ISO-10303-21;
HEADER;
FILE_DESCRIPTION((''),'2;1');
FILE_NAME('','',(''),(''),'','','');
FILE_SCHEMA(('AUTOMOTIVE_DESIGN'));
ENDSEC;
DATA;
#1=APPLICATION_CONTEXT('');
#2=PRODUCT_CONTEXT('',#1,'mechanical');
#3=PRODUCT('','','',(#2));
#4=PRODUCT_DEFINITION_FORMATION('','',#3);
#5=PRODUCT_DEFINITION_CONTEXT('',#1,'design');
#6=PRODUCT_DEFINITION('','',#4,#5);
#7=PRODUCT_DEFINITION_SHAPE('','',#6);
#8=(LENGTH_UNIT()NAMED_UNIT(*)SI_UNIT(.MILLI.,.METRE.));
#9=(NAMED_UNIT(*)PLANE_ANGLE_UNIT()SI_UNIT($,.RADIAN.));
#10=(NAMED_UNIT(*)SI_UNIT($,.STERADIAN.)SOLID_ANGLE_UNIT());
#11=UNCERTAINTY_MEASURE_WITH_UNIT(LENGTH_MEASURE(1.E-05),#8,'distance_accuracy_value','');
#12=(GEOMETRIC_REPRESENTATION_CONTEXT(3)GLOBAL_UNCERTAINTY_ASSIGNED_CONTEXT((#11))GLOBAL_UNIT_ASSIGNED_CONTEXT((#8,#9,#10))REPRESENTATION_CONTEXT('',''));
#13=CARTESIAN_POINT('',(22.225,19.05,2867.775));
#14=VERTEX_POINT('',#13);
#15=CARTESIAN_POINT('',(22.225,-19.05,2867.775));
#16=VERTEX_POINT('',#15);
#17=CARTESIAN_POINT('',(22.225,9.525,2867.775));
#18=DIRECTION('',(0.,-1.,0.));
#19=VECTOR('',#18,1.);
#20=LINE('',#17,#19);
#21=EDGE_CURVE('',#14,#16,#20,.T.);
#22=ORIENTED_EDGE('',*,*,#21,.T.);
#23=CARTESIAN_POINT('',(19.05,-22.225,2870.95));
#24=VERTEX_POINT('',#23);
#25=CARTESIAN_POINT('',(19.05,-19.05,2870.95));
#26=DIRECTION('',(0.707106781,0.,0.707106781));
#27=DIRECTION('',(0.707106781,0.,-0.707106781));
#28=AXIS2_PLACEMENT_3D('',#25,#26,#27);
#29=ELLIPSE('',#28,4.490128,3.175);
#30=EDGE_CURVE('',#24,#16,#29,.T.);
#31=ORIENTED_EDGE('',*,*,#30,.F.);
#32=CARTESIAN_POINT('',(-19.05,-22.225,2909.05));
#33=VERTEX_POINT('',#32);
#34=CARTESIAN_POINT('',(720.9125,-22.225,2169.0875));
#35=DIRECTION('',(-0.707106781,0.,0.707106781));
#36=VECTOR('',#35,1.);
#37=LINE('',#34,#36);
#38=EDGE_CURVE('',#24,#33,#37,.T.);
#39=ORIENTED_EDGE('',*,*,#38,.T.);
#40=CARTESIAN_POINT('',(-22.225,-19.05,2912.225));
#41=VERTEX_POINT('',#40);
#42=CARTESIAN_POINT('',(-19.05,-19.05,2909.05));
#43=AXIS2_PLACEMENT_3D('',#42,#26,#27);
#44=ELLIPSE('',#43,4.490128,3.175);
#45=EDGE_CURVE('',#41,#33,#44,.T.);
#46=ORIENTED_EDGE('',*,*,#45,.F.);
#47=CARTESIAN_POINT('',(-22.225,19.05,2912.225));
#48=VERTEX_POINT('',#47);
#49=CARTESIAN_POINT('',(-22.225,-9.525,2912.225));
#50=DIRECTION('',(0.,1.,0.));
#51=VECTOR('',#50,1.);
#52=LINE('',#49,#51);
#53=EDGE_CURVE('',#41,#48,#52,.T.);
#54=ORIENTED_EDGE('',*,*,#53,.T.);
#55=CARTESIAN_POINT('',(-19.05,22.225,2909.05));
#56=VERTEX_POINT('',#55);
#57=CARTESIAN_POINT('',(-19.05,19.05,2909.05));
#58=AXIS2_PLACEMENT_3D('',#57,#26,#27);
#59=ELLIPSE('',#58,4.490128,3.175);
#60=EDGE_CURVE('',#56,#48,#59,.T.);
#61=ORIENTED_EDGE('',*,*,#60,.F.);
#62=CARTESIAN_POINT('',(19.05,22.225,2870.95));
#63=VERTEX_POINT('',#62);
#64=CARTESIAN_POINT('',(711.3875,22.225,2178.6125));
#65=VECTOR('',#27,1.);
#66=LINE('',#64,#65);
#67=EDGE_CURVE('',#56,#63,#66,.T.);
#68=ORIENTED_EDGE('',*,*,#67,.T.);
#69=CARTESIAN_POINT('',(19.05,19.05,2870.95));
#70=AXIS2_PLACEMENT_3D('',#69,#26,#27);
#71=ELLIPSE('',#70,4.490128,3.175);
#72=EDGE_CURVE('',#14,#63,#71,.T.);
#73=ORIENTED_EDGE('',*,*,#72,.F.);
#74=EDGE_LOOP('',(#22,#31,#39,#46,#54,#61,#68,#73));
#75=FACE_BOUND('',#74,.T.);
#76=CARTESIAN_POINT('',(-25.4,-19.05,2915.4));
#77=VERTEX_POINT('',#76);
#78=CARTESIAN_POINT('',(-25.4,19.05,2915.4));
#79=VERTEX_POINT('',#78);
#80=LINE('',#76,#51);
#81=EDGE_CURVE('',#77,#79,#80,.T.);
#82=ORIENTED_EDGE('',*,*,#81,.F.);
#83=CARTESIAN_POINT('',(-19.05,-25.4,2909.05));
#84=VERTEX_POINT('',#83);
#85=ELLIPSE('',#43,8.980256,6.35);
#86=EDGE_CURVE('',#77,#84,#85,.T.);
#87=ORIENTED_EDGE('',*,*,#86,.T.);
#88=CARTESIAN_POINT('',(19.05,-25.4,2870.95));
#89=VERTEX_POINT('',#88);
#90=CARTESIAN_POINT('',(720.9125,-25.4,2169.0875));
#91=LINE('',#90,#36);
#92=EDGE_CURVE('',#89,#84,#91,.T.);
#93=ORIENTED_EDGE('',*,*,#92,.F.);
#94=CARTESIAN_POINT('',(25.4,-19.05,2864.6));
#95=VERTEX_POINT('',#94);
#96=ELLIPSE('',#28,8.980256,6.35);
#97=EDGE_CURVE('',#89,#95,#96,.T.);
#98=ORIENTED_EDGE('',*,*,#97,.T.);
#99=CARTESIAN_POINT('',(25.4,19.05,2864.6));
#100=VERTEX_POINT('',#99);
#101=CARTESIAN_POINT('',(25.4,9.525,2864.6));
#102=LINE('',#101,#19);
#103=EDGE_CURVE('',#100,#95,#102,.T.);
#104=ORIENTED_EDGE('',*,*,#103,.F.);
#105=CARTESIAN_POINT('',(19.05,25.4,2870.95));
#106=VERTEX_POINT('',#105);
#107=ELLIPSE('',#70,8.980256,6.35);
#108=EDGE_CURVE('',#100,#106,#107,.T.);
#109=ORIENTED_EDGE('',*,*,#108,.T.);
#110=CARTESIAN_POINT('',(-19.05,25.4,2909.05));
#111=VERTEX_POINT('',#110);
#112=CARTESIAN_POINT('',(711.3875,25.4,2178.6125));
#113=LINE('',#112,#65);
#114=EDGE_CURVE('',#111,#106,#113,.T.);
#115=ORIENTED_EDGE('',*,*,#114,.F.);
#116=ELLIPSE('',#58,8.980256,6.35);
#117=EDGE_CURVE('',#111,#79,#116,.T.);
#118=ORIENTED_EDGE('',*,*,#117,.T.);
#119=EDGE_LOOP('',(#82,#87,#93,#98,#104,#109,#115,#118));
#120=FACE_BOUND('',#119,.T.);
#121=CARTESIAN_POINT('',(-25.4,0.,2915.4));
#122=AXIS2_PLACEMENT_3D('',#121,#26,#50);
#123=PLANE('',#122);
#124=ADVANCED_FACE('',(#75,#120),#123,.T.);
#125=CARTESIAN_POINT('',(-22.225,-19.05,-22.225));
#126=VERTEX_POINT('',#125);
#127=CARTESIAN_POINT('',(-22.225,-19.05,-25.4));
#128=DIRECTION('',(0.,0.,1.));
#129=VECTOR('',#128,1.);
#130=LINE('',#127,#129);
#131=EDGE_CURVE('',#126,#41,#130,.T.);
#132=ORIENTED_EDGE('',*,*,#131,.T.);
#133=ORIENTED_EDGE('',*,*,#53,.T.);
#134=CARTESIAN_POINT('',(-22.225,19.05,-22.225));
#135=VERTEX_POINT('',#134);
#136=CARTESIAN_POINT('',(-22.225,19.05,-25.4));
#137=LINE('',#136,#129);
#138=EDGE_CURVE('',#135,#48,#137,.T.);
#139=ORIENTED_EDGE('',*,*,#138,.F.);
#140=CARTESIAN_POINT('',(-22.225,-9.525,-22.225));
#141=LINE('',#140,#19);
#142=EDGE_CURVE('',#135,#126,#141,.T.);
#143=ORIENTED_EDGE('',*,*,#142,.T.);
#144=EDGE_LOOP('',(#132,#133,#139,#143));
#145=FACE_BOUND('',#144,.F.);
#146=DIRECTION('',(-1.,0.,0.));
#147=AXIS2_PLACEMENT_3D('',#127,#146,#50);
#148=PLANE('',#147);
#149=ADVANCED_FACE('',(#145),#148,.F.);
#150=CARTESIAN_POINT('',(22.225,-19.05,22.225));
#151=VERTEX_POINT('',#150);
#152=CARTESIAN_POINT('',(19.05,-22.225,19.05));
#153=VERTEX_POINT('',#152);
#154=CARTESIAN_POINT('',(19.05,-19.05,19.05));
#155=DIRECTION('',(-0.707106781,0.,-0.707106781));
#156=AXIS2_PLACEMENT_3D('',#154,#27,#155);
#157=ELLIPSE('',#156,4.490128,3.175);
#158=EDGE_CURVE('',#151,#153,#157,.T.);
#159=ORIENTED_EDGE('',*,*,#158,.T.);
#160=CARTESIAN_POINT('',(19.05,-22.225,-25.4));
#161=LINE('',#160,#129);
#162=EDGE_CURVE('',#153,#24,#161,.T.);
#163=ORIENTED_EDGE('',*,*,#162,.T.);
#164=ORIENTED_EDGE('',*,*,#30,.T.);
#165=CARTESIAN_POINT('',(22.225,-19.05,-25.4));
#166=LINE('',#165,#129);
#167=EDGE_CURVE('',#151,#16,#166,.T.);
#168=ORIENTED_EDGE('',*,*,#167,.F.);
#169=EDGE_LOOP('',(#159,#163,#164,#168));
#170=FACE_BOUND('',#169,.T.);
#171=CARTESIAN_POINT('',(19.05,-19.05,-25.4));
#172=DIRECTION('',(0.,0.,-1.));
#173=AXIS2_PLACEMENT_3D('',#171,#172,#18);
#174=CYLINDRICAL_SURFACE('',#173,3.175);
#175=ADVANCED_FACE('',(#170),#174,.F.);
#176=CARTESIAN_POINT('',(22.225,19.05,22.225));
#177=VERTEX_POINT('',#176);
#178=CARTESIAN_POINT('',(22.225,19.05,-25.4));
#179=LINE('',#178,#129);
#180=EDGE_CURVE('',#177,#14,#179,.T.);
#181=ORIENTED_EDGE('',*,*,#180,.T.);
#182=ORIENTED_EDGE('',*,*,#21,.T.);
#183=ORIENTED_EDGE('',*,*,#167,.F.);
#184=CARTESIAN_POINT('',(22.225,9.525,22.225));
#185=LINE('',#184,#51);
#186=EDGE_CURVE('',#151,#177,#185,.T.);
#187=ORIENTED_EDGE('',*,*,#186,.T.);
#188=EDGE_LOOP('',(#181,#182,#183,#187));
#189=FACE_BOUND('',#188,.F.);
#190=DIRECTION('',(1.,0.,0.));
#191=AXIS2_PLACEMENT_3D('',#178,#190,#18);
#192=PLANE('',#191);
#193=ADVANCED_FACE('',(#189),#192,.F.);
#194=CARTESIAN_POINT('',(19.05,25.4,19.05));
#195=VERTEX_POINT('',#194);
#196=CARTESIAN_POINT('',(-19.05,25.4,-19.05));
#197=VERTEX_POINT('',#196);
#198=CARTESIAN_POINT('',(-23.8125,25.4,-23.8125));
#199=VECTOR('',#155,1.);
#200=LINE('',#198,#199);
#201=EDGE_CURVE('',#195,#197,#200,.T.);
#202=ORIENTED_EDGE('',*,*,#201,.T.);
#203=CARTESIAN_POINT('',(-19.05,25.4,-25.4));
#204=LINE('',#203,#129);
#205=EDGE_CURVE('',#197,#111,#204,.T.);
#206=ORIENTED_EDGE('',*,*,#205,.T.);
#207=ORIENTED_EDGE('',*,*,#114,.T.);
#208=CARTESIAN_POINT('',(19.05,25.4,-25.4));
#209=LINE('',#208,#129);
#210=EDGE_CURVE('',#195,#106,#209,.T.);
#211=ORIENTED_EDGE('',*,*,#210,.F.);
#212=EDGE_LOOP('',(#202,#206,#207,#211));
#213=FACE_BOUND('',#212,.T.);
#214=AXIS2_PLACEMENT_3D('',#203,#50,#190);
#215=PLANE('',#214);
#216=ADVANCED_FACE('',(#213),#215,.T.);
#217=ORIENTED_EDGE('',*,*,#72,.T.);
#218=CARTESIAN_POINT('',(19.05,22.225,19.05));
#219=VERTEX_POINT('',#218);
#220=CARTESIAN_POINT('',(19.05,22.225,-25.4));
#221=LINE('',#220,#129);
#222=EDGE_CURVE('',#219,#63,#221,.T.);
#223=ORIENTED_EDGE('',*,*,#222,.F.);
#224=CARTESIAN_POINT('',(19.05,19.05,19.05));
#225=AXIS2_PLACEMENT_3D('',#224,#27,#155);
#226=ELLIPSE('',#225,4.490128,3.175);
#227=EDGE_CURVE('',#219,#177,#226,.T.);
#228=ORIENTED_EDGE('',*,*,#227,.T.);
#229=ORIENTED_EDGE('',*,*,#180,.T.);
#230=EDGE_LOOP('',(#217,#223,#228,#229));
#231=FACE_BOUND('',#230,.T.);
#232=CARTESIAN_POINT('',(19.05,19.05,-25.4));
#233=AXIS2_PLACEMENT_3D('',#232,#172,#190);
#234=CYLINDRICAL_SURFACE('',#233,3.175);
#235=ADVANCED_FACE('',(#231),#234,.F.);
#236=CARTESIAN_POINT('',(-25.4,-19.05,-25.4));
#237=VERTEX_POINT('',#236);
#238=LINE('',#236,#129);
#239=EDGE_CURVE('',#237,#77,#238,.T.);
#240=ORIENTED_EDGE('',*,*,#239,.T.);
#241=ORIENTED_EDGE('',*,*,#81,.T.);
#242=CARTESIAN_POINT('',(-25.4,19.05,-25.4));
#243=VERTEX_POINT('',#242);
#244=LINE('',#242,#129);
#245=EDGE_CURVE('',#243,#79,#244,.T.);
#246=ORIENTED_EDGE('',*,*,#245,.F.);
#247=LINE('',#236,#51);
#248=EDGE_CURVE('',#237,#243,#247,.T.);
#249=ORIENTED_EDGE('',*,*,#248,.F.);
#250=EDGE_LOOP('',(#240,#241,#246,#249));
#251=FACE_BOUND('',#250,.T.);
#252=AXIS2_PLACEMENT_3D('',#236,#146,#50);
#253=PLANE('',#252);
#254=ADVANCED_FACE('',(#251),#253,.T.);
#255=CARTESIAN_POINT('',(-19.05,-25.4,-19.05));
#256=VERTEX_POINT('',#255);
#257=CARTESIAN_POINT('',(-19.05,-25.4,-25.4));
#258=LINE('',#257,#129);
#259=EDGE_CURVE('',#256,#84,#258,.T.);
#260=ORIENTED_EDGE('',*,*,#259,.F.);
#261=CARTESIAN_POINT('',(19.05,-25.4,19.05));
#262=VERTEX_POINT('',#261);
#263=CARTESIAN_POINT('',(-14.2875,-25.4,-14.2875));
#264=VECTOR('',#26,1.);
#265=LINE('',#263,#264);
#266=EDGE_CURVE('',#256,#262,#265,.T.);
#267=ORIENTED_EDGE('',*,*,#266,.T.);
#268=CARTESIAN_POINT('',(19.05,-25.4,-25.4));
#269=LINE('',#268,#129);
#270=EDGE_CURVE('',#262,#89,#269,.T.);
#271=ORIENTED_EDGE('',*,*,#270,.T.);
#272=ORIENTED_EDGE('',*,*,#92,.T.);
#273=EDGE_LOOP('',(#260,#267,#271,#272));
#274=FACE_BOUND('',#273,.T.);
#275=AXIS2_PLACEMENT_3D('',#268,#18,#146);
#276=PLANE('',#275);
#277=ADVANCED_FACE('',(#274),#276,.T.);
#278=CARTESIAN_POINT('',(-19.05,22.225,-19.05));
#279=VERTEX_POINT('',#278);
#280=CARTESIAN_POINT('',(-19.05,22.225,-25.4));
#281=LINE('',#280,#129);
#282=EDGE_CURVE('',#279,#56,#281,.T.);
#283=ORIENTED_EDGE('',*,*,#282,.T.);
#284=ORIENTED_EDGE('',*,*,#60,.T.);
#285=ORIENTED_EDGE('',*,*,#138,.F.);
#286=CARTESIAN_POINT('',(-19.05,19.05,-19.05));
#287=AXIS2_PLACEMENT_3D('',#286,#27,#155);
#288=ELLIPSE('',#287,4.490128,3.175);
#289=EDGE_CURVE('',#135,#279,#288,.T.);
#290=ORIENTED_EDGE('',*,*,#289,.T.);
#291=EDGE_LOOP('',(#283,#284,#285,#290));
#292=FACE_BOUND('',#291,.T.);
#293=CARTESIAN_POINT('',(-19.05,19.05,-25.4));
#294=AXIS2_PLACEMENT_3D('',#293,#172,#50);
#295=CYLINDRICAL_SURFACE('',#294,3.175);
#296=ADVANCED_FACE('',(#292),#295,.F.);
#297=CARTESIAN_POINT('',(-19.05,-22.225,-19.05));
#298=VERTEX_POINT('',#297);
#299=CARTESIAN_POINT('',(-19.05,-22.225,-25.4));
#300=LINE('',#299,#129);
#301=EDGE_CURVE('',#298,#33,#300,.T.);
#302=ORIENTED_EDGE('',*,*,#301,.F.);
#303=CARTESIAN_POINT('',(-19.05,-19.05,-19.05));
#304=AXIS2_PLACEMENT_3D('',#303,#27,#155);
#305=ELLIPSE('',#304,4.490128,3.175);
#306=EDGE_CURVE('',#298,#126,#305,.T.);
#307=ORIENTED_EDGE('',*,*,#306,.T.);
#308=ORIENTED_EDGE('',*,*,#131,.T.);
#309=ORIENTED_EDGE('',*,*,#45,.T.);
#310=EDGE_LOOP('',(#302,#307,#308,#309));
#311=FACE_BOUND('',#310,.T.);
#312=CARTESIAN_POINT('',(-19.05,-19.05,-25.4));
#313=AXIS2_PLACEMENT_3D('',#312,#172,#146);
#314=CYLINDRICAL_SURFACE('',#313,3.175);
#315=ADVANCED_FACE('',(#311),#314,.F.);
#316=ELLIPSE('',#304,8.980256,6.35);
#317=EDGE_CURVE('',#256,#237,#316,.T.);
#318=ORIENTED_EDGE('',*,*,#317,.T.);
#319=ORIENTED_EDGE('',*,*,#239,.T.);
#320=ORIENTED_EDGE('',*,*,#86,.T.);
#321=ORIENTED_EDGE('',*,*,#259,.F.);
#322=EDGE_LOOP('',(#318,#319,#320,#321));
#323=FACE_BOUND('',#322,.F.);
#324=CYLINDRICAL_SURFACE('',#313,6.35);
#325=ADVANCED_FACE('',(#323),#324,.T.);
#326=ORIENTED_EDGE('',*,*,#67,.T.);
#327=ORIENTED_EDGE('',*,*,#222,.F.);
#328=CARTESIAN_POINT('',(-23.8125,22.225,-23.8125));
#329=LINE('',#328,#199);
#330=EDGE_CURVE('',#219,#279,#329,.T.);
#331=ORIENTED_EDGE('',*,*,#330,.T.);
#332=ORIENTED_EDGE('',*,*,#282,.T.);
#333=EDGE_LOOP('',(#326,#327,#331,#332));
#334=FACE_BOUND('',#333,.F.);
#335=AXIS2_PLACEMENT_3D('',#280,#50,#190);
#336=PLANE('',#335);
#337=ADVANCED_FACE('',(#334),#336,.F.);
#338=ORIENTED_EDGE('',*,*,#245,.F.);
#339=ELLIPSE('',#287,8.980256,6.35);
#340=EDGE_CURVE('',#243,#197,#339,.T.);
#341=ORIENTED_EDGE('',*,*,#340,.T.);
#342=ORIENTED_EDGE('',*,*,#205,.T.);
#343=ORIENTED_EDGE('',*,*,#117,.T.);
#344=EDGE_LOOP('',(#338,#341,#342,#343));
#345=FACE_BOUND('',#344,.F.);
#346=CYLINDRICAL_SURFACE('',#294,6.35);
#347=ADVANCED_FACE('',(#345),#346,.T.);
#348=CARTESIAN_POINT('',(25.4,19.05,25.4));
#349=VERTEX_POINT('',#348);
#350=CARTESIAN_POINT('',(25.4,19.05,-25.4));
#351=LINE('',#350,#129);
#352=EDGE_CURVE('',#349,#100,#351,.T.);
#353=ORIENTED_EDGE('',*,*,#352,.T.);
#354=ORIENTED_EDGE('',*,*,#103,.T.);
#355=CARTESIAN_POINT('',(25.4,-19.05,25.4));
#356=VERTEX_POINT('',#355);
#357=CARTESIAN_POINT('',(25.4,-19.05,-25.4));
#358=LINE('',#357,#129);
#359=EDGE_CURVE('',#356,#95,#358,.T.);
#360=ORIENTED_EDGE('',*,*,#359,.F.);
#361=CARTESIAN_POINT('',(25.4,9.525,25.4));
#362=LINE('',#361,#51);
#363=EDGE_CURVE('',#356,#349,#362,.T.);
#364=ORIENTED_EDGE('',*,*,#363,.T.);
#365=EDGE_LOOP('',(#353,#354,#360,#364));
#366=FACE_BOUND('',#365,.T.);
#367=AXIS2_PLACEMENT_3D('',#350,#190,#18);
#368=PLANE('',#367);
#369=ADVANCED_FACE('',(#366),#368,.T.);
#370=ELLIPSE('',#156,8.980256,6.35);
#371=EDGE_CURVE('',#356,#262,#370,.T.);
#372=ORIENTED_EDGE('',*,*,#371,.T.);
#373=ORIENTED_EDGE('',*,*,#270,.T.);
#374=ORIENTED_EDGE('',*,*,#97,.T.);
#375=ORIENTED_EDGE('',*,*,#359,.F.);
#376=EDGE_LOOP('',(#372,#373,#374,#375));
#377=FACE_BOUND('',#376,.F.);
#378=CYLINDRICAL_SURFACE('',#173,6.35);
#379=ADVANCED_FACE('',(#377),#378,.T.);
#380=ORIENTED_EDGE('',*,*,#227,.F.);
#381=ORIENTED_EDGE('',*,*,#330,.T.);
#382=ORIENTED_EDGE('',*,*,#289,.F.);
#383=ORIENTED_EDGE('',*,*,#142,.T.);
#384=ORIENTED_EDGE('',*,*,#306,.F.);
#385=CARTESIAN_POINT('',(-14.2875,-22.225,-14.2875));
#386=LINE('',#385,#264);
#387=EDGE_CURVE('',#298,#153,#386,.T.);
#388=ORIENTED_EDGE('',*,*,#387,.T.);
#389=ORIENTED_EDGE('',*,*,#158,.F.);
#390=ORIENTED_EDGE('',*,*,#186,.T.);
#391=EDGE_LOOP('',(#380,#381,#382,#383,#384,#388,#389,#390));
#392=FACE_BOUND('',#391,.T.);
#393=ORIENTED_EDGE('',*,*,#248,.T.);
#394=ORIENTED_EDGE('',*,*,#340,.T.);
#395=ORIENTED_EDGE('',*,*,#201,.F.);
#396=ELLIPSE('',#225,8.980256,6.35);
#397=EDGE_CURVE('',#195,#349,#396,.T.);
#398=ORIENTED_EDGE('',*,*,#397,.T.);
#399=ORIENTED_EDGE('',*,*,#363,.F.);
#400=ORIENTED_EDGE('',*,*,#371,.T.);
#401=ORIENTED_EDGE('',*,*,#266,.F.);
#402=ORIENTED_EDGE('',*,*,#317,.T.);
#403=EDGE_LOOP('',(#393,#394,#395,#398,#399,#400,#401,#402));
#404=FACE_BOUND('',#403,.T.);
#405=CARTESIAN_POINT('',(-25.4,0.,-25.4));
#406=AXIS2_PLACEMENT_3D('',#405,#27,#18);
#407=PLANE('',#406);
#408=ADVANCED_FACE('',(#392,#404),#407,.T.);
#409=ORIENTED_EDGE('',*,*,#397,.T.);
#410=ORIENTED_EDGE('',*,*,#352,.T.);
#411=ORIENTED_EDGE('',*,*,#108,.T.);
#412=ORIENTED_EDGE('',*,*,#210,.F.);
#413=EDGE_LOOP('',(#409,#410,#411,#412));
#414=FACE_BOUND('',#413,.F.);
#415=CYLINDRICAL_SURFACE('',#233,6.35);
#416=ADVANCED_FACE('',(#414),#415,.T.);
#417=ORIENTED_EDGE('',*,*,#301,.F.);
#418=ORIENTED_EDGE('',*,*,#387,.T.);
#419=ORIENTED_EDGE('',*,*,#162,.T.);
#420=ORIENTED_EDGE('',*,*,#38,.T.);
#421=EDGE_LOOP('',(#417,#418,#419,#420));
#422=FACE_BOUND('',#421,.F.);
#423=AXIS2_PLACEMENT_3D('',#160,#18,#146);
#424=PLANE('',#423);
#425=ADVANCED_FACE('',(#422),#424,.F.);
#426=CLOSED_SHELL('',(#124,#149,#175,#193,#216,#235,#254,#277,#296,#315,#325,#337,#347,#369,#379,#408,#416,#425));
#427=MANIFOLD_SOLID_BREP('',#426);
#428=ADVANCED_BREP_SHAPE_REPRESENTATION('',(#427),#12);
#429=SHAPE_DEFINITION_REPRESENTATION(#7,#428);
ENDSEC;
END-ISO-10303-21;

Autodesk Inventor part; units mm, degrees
ref_plane "Plano inicial" through (0, 0, -25.4) normal (0, 0, 1) x (1, 0, 0)
ref_plane "Plano final" through (0, 0, 2915.4) normal (0, 0, 1) x (1, 0, 0)
sketch "Boceto" plane through (0, 0, 0) normal (0, 0, 1) x (1, 0, 0)
  line L0 (-25.4, -19.05) -> (-25.4, 19.05)
  line L1 (-19.05, 25.4) -> (19.05, 25.4)
  line L2 (25.4, 19.05) -> (25.4, -19.05)
  line L3 (19.05, -25.4) -> (-19.05, -25.4)
  arc A0 (-25.4, -19.05) -> (-19.05, -25.4) centre (-19.05, -19.05) ccw
  arc A1 (-19.05, 25.4) -> (-25.4, 19.05) centre (-19.05, 19.05) ccw
  arc A2 (25.4, 19.05) -> (19.05, 25.4) centre (19.05, 19.05) ccw
  arc A3 (19.05, -25.4) -> (25.4, -19.05) centre (19.05, -19.05) ccw
  arc A4 (-19.05, 22.225) -> (-22.225, 19.05) centre (-19.05, 19.05) ccw
  line L4 (-19.05, 22.225) -> (19.05, 22.225)
  arc A5 (22.225, 19.05) -> (19.05, 22.225) centre (19.05, 19.05) ccw
  line L5 (22.225, 19.05) -> (22.225, -19.05)
  arc A6 (19.05, -22.225) -> (22.225, -19.05) centre (19.05, -19.05) ccw
  line L6 (19.05, -22.225) -> (-19.05, -22.225)
  arc A7 (-22.225, -19.05) -> (-19.05, -22.225) centre (-19.05, -19.05) ccw
  line L7 (-22.225, -19.05) -> (-22.225, 19.05)
  line L8 (0, 37.4012) -> (0, -37.4012) construction
  line L9 (-37.4012, 0) -> (37.4012, 0) construction
  dimension "d10" = 50.8
  dimension "d11" = 50.8
  dimension "d12" = 3.175
  dimension "d15" = 25.4
  dimension "d16" = 25.4
  dimension "d17" = 6.35
extrude "Cuerpo" add sketch "Boceto" along normal up to surface (2940.8 mm away) from surface at -25.4
sketch "Sketch3" plane through (0, 0, 0) normal (0, 0, 1) x (1, 0, 0)
  line L0 (0, 0) -> (10, 0)
ref_plane "Work Plane3" through (0, 0, 0) normal (0, -1, 0) x (1, 0, 0)
ref_plane "Plano de trabajo4" through (-25.4, 0, -25.4) normal (0.7071, 0, -0.7071) x (-0.7071, 0, -0.7071)
split "Dividir1" plane through (-25.4, 0, -25.4) removes the side toward (0.7071, 0, -0.7071)
ref_plane "Plano de trabajo5" through (-25.4, 0, 2915.4) normal (0.7071, 0, 0.7071) x (0.7071, 0, -0.7071)
split "Dividir2" plane through (-25.4, 0, 2915.4) removes the side toward (0.7071, 0, 0.7071)
sketch "Sketch4" plane through (0, 0, 0) normal (0, -1, 0) x (1, 0, 0)
  line L0 (-2, -25.4) -> (12, -25.4) projected
  line L1 (-2, 2915.4) -> (12, 2915.4) projected
  dimension "d19" = 2940.8
equation "\"d10\" = G_H"
equation "\"d11\" = G_W"
equation "\"d12\" = G_T"
equation "\"d15\" = 0.5 * d10"
equation "\"d16\" = 0.5 * d11"
equation "\"d17\" = G_IR"
equation "\"d3\" = G_L"
equation "\"G_W\" = 50.8"
equation "\"G_H\" = 50.8"
equation "\"G_T\" = 3.175"
equation "\"G_IR\" = 6.35"
equation "\"G_L\" = d19"
equation "\"G_OFFSET_START\" = 25.4"
equation "\"G_OFFSET_END\" = 25.4"
equation "\"d13\" = -G_OFFSET_START"
equation "\"d14\" = G_OFFSET_END + B_L"
equation "\"B_L\" = 2890"
properties part number "AISC - 2 x 2 x 1/8 - 115,78" material "Acero, suave"
